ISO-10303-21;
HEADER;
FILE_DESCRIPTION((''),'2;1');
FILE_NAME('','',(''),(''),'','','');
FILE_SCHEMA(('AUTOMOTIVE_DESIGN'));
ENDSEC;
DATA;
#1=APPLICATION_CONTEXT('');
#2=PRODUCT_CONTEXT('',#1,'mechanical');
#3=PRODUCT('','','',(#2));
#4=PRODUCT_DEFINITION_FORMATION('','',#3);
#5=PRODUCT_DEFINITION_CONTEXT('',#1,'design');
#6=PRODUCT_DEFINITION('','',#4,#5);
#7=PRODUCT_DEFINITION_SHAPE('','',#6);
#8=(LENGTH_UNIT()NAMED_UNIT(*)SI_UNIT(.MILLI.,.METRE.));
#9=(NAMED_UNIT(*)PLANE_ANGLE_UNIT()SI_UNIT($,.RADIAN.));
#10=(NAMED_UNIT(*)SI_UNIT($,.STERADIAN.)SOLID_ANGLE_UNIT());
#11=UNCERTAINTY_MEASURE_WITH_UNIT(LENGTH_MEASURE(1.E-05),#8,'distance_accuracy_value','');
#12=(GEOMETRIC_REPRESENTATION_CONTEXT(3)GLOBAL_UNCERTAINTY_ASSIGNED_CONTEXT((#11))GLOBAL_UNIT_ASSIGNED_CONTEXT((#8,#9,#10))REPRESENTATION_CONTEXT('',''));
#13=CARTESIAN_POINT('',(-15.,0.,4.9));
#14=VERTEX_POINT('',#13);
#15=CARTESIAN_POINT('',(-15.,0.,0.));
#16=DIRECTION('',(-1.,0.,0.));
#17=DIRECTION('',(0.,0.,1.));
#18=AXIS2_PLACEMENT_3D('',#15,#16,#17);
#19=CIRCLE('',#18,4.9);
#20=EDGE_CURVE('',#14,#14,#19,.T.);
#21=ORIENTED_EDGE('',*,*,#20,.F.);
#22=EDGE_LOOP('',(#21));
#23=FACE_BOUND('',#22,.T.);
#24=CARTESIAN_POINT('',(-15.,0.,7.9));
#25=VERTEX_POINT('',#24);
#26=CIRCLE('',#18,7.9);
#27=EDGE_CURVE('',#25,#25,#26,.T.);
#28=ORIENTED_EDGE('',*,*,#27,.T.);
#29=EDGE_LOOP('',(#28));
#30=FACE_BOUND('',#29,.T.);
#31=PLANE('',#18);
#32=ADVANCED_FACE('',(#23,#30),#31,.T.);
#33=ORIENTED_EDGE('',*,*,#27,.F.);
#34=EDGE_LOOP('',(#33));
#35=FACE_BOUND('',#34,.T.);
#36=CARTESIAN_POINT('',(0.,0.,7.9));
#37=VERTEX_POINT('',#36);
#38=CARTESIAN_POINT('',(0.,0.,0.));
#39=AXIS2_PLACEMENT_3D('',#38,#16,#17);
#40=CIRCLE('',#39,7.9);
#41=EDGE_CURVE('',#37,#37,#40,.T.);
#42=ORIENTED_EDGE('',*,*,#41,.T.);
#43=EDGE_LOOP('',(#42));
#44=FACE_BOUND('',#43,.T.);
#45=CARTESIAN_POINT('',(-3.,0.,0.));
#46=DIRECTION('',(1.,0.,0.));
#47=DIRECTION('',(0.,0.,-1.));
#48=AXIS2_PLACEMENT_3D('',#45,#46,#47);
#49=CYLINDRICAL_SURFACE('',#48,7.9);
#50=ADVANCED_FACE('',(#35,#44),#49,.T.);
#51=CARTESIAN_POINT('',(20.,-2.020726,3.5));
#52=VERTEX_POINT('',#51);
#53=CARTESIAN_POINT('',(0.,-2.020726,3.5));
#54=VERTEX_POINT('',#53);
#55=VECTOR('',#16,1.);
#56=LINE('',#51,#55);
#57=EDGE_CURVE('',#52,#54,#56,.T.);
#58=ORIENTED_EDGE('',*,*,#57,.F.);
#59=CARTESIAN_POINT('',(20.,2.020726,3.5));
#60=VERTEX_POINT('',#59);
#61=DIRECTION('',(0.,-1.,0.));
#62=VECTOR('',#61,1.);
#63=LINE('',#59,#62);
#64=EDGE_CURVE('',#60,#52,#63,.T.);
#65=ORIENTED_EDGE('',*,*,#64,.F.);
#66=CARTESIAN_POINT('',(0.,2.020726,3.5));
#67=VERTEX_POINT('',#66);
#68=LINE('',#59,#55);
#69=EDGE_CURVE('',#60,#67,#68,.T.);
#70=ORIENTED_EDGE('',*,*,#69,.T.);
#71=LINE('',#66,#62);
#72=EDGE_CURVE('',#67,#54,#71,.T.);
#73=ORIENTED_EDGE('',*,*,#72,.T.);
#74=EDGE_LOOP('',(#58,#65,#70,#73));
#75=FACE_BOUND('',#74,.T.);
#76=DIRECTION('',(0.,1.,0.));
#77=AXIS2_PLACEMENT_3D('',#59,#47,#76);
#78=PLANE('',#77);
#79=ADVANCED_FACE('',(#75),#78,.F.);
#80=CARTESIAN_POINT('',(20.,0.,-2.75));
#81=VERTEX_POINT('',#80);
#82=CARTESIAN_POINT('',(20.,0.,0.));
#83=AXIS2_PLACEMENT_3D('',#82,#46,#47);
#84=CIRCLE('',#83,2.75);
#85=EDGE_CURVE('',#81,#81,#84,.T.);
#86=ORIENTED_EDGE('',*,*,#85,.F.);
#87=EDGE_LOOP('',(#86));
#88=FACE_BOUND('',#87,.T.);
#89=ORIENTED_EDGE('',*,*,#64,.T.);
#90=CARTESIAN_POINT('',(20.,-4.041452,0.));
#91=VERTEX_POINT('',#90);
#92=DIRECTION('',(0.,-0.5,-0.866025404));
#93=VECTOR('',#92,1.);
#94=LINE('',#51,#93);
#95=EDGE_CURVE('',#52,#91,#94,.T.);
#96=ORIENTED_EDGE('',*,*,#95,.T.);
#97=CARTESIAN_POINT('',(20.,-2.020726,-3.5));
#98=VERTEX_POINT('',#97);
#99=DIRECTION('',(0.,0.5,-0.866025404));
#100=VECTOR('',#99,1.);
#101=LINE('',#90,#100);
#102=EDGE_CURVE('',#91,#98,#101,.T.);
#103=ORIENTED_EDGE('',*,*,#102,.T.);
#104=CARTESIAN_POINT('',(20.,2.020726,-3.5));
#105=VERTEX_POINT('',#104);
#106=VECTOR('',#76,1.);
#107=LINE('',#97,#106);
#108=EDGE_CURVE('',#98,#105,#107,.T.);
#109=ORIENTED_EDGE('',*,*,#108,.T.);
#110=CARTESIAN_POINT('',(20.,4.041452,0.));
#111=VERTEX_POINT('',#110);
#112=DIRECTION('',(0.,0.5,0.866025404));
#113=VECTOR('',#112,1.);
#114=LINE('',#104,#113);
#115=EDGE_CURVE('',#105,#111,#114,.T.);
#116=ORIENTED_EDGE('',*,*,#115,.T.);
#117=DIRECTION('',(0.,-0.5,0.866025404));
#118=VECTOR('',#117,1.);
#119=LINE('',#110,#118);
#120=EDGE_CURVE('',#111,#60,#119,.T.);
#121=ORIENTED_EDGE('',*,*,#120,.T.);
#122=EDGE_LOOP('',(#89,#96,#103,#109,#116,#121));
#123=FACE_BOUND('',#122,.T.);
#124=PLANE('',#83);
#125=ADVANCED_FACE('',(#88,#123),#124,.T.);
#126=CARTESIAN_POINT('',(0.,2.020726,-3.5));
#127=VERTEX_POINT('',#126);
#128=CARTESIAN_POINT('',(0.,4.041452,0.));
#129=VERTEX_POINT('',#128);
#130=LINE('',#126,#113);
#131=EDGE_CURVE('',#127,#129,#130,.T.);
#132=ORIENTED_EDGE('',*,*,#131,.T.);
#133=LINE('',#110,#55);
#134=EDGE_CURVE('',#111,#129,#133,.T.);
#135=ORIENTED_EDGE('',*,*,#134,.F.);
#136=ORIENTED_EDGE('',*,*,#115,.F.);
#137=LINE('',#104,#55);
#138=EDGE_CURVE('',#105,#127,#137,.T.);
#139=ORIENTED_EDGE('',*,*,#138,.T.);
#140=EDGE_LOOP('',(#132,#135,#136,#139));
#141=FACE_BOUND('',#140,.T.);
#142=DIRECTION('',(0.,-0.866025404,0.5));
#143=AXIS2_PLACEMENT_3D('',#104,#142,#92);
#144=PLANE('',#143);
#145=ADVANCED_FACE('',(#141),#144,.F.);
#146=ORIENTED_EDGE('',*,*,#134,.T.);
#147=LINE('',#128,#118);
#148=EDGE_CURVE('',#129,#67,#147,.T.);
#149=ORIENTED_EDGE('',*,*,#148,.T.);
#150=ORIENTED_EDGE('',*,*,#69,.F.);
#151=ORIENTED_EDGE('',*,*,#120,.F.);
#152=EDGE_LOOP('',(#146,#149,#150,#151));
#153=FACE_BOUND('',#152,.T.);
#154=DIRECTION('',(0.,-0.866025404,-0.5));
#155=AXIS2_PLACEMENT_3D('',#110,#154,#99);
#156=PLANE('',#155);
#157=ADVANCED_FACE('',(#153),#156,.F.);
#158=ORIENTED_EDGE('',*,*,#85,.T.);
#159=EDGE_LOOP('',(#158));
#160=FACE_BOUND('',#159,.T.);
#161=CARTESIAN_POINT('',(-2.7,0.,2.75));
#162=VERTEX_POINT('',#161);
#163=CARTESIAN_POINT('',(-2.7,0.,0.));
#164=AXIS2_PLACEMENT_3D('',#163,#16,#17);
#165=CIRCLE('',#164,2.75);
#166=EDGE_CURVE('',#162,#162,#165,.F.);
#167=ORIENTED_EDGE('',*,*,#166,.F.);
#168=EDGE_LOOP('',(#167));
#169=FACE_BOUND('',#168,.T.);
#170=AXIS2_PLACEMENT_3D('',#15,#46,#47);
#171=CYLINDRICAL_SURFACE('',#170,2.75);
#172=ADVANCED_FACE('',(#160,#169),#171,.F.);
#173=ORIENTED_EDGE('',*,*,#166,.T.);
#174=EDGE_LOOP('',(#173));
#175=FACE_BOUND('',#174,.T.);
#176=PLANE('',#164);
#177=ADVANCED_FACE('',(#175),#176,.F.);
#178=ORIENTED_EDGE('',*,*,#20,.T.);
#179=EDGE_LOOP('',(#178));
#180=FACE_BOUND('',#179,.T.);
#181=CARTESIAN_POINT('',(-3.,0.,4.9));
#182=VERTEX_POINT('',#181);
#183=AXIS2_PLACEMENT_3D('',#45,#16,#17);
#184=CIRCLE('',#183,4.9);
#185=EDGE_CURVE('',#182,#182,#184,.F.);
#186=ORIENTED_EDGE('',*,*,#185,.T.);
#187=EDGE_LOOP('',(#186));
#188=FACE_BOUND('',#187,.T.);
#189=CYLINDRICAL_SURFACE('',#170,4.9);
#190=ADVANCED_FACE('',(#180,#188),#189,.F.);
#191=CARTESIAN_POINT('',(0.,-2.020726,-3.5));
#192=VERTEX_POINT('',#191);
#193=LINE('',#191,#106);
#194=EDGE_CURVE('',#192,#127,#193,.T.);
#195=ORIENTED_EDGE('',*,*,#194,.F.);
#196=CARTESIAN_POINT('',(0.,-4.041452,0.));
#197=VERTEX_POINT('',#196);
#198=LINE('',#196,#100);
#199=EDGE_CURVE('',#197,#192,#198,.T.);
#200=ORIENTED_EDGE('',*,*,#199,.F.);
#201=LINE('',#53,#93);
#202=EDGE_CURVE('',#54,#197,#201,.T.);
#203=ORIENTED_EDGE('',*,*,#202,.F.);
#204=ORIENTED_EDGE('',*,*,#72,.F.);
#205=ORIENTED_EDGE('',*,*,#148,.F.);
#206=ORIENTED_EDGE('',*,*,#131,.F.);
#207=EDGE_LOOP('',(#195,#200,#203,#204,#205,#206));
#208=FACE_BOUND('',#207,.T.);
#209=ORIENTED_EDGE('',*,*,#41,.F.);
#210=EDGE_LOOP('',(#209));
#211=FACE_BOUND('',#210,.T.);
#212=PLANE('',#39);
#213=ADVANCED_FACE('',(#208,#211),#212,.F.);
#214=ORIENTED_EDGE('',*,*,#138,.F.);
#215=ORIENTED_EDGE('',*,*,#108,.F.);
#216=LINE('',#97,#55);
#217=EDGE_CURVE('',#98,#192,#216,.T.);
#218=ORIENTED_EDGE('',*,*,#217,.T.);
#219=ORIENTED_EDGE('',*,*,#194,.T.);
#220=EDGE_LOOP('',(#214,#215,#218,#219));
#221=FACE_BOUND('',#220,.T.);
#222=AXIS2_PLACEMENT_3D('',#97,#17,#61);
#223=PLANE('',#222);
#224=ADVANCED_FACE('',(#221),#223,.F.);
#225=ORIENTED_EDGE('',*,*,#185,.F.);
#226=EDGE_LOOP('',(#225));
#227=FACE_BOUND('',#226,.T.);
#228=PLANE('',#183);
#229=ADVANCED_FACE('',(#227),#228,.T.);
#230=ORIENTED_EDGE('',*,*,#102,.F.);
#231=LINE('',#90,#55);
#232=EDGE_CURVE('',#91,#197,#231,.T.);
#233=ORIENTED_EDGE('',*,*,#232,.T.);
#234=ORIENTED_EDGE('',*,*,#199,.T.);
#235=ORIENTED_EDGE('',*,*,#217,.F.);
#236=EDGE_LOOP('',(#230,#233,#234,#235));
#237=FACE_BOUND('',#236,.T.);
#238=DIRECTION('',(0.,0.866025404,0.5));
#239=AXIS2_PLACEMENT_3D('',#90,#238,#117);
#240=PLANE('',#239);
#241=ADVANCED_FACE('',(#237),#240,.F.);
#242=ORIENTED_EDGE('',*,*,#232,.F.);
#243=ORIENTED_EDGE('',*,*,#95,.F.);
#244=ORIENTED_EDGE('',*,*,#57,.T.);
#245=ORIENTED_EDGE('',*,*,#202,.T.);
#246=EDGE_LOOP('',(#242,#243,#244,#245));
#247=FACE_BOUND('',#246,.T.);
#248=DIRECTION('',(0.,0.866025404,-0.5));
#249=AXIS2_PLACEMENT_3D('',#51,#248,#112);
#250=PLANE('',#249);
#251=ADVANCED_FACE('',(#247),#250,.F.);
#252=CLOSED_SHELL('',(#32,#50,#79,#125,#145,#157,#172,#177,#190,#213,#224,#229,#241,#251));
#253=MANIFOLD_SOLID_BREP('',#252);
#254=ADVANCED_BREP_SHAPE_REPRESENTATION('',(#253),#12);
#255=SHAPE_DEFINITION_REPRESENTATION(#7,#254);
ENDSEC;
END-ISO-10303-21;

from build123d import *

# Parameters (mm, degrees)
SALIENTE_EXTRUIR1_DEPTH = 20
CROQUIS2_R              = 7.9
CROQUIS2_R_2            = 4.9
SALIENTE_EXTRUIR2_DEPTH = 3
SALIENTE_EXTRUIR3_START = 3
CROQUIS2_3_R            = 7.9
CROQUIS2_3_R_2          = 4.9
SALIENTE_EXTRUIR3_DEPTH = 12
CROQUIS3_R              = 2.75
CORTAR_EXTRUIR1_DEPTH   = 37.73989657
CROQUIS5_R              = 2.75
SALIENTE_EXTRUIR4_DEPTH = 0.3


with BuildPart() as part:
    # Croquis1 → Saliente-Extruir1 (new body)
    with BuildSketch(Plane(origin=(0, 0, 0), x_dir=(0, 0, -1), z_dir=(1, 0, 0))):
        Polygon((-3.5, -2.020725942), (0, -4.041451884), (3.5, -2.020725942), (3.5, 2.020725942), (0, 4.041451884), (-3.5, 2.020725942), align=None)
    extrude(amount=SALIENTE_EXTRUIR1_DEPTH)

    # Croquis2 → Saliente-Extruir2 (add)
    with BuildSketch(Plane.ZY):
        Circle(CROQUIS2_R)
        Circle(CROQUIS2_R_2, mode=Mode.SUBTRACT)
        Circle(CROQUIS2_R_2)
        Polygon((3.5, -2.020725942), (3.5, 2.020725942), (0, 4.041451884), (-3.5, 2.020725942), (-3.5, -2.020725942), (0, -4.041451884), align=None, mode=Mode.SUBTRACT)
        Polygon((0, -4.041451884), (3.5, -2.020725942), (3.5, 2.020725942), (0, 4.041451884), (-3.5, 2.020725942), (-3.5, -2.020725942), align=None)
    extrude(amount=SALIENTE_EXTRUIR2_DEPTH)

    # Croquis2<3> → Saliente-Extruir3 (add)
    with BuildSketch(Plane.ZY.offset(SALIENTE_EXTRUIR3_START)):
        Circle(CROQUIS2_3_R)
        Circle(CROQUIS2_3_R_2, mode=Mode.SUBTRACT)
    extrude(amount=SALIENTE_EXTRUIR3_DEPTH)

    # Croquis3 → Cortar-Extruir1 (cut, through all)
    with BuildSketch(Plane(origin=(20, 0, 0), x_dir=(0, 0, -1), z_dir=(1, 0, 0))):
        Circle(CROQUIS3_R)
    extrude(amount=-CORTAR_EXTRUIR1_DEPTH, mode=Mode.SUBTRACT)

    # Croquis5 → Saliente-Extruir4 (add)
    with BuildSketch(Plane.ZY.offset(3)):
        with Locations(Location((0, 0, 0), (0, 0, 180))):
            Circle(CROQUIS5_R)
    extrude(amount=-SALIENTE_EXTRUIR4_DEPTH)


solid = part.part
